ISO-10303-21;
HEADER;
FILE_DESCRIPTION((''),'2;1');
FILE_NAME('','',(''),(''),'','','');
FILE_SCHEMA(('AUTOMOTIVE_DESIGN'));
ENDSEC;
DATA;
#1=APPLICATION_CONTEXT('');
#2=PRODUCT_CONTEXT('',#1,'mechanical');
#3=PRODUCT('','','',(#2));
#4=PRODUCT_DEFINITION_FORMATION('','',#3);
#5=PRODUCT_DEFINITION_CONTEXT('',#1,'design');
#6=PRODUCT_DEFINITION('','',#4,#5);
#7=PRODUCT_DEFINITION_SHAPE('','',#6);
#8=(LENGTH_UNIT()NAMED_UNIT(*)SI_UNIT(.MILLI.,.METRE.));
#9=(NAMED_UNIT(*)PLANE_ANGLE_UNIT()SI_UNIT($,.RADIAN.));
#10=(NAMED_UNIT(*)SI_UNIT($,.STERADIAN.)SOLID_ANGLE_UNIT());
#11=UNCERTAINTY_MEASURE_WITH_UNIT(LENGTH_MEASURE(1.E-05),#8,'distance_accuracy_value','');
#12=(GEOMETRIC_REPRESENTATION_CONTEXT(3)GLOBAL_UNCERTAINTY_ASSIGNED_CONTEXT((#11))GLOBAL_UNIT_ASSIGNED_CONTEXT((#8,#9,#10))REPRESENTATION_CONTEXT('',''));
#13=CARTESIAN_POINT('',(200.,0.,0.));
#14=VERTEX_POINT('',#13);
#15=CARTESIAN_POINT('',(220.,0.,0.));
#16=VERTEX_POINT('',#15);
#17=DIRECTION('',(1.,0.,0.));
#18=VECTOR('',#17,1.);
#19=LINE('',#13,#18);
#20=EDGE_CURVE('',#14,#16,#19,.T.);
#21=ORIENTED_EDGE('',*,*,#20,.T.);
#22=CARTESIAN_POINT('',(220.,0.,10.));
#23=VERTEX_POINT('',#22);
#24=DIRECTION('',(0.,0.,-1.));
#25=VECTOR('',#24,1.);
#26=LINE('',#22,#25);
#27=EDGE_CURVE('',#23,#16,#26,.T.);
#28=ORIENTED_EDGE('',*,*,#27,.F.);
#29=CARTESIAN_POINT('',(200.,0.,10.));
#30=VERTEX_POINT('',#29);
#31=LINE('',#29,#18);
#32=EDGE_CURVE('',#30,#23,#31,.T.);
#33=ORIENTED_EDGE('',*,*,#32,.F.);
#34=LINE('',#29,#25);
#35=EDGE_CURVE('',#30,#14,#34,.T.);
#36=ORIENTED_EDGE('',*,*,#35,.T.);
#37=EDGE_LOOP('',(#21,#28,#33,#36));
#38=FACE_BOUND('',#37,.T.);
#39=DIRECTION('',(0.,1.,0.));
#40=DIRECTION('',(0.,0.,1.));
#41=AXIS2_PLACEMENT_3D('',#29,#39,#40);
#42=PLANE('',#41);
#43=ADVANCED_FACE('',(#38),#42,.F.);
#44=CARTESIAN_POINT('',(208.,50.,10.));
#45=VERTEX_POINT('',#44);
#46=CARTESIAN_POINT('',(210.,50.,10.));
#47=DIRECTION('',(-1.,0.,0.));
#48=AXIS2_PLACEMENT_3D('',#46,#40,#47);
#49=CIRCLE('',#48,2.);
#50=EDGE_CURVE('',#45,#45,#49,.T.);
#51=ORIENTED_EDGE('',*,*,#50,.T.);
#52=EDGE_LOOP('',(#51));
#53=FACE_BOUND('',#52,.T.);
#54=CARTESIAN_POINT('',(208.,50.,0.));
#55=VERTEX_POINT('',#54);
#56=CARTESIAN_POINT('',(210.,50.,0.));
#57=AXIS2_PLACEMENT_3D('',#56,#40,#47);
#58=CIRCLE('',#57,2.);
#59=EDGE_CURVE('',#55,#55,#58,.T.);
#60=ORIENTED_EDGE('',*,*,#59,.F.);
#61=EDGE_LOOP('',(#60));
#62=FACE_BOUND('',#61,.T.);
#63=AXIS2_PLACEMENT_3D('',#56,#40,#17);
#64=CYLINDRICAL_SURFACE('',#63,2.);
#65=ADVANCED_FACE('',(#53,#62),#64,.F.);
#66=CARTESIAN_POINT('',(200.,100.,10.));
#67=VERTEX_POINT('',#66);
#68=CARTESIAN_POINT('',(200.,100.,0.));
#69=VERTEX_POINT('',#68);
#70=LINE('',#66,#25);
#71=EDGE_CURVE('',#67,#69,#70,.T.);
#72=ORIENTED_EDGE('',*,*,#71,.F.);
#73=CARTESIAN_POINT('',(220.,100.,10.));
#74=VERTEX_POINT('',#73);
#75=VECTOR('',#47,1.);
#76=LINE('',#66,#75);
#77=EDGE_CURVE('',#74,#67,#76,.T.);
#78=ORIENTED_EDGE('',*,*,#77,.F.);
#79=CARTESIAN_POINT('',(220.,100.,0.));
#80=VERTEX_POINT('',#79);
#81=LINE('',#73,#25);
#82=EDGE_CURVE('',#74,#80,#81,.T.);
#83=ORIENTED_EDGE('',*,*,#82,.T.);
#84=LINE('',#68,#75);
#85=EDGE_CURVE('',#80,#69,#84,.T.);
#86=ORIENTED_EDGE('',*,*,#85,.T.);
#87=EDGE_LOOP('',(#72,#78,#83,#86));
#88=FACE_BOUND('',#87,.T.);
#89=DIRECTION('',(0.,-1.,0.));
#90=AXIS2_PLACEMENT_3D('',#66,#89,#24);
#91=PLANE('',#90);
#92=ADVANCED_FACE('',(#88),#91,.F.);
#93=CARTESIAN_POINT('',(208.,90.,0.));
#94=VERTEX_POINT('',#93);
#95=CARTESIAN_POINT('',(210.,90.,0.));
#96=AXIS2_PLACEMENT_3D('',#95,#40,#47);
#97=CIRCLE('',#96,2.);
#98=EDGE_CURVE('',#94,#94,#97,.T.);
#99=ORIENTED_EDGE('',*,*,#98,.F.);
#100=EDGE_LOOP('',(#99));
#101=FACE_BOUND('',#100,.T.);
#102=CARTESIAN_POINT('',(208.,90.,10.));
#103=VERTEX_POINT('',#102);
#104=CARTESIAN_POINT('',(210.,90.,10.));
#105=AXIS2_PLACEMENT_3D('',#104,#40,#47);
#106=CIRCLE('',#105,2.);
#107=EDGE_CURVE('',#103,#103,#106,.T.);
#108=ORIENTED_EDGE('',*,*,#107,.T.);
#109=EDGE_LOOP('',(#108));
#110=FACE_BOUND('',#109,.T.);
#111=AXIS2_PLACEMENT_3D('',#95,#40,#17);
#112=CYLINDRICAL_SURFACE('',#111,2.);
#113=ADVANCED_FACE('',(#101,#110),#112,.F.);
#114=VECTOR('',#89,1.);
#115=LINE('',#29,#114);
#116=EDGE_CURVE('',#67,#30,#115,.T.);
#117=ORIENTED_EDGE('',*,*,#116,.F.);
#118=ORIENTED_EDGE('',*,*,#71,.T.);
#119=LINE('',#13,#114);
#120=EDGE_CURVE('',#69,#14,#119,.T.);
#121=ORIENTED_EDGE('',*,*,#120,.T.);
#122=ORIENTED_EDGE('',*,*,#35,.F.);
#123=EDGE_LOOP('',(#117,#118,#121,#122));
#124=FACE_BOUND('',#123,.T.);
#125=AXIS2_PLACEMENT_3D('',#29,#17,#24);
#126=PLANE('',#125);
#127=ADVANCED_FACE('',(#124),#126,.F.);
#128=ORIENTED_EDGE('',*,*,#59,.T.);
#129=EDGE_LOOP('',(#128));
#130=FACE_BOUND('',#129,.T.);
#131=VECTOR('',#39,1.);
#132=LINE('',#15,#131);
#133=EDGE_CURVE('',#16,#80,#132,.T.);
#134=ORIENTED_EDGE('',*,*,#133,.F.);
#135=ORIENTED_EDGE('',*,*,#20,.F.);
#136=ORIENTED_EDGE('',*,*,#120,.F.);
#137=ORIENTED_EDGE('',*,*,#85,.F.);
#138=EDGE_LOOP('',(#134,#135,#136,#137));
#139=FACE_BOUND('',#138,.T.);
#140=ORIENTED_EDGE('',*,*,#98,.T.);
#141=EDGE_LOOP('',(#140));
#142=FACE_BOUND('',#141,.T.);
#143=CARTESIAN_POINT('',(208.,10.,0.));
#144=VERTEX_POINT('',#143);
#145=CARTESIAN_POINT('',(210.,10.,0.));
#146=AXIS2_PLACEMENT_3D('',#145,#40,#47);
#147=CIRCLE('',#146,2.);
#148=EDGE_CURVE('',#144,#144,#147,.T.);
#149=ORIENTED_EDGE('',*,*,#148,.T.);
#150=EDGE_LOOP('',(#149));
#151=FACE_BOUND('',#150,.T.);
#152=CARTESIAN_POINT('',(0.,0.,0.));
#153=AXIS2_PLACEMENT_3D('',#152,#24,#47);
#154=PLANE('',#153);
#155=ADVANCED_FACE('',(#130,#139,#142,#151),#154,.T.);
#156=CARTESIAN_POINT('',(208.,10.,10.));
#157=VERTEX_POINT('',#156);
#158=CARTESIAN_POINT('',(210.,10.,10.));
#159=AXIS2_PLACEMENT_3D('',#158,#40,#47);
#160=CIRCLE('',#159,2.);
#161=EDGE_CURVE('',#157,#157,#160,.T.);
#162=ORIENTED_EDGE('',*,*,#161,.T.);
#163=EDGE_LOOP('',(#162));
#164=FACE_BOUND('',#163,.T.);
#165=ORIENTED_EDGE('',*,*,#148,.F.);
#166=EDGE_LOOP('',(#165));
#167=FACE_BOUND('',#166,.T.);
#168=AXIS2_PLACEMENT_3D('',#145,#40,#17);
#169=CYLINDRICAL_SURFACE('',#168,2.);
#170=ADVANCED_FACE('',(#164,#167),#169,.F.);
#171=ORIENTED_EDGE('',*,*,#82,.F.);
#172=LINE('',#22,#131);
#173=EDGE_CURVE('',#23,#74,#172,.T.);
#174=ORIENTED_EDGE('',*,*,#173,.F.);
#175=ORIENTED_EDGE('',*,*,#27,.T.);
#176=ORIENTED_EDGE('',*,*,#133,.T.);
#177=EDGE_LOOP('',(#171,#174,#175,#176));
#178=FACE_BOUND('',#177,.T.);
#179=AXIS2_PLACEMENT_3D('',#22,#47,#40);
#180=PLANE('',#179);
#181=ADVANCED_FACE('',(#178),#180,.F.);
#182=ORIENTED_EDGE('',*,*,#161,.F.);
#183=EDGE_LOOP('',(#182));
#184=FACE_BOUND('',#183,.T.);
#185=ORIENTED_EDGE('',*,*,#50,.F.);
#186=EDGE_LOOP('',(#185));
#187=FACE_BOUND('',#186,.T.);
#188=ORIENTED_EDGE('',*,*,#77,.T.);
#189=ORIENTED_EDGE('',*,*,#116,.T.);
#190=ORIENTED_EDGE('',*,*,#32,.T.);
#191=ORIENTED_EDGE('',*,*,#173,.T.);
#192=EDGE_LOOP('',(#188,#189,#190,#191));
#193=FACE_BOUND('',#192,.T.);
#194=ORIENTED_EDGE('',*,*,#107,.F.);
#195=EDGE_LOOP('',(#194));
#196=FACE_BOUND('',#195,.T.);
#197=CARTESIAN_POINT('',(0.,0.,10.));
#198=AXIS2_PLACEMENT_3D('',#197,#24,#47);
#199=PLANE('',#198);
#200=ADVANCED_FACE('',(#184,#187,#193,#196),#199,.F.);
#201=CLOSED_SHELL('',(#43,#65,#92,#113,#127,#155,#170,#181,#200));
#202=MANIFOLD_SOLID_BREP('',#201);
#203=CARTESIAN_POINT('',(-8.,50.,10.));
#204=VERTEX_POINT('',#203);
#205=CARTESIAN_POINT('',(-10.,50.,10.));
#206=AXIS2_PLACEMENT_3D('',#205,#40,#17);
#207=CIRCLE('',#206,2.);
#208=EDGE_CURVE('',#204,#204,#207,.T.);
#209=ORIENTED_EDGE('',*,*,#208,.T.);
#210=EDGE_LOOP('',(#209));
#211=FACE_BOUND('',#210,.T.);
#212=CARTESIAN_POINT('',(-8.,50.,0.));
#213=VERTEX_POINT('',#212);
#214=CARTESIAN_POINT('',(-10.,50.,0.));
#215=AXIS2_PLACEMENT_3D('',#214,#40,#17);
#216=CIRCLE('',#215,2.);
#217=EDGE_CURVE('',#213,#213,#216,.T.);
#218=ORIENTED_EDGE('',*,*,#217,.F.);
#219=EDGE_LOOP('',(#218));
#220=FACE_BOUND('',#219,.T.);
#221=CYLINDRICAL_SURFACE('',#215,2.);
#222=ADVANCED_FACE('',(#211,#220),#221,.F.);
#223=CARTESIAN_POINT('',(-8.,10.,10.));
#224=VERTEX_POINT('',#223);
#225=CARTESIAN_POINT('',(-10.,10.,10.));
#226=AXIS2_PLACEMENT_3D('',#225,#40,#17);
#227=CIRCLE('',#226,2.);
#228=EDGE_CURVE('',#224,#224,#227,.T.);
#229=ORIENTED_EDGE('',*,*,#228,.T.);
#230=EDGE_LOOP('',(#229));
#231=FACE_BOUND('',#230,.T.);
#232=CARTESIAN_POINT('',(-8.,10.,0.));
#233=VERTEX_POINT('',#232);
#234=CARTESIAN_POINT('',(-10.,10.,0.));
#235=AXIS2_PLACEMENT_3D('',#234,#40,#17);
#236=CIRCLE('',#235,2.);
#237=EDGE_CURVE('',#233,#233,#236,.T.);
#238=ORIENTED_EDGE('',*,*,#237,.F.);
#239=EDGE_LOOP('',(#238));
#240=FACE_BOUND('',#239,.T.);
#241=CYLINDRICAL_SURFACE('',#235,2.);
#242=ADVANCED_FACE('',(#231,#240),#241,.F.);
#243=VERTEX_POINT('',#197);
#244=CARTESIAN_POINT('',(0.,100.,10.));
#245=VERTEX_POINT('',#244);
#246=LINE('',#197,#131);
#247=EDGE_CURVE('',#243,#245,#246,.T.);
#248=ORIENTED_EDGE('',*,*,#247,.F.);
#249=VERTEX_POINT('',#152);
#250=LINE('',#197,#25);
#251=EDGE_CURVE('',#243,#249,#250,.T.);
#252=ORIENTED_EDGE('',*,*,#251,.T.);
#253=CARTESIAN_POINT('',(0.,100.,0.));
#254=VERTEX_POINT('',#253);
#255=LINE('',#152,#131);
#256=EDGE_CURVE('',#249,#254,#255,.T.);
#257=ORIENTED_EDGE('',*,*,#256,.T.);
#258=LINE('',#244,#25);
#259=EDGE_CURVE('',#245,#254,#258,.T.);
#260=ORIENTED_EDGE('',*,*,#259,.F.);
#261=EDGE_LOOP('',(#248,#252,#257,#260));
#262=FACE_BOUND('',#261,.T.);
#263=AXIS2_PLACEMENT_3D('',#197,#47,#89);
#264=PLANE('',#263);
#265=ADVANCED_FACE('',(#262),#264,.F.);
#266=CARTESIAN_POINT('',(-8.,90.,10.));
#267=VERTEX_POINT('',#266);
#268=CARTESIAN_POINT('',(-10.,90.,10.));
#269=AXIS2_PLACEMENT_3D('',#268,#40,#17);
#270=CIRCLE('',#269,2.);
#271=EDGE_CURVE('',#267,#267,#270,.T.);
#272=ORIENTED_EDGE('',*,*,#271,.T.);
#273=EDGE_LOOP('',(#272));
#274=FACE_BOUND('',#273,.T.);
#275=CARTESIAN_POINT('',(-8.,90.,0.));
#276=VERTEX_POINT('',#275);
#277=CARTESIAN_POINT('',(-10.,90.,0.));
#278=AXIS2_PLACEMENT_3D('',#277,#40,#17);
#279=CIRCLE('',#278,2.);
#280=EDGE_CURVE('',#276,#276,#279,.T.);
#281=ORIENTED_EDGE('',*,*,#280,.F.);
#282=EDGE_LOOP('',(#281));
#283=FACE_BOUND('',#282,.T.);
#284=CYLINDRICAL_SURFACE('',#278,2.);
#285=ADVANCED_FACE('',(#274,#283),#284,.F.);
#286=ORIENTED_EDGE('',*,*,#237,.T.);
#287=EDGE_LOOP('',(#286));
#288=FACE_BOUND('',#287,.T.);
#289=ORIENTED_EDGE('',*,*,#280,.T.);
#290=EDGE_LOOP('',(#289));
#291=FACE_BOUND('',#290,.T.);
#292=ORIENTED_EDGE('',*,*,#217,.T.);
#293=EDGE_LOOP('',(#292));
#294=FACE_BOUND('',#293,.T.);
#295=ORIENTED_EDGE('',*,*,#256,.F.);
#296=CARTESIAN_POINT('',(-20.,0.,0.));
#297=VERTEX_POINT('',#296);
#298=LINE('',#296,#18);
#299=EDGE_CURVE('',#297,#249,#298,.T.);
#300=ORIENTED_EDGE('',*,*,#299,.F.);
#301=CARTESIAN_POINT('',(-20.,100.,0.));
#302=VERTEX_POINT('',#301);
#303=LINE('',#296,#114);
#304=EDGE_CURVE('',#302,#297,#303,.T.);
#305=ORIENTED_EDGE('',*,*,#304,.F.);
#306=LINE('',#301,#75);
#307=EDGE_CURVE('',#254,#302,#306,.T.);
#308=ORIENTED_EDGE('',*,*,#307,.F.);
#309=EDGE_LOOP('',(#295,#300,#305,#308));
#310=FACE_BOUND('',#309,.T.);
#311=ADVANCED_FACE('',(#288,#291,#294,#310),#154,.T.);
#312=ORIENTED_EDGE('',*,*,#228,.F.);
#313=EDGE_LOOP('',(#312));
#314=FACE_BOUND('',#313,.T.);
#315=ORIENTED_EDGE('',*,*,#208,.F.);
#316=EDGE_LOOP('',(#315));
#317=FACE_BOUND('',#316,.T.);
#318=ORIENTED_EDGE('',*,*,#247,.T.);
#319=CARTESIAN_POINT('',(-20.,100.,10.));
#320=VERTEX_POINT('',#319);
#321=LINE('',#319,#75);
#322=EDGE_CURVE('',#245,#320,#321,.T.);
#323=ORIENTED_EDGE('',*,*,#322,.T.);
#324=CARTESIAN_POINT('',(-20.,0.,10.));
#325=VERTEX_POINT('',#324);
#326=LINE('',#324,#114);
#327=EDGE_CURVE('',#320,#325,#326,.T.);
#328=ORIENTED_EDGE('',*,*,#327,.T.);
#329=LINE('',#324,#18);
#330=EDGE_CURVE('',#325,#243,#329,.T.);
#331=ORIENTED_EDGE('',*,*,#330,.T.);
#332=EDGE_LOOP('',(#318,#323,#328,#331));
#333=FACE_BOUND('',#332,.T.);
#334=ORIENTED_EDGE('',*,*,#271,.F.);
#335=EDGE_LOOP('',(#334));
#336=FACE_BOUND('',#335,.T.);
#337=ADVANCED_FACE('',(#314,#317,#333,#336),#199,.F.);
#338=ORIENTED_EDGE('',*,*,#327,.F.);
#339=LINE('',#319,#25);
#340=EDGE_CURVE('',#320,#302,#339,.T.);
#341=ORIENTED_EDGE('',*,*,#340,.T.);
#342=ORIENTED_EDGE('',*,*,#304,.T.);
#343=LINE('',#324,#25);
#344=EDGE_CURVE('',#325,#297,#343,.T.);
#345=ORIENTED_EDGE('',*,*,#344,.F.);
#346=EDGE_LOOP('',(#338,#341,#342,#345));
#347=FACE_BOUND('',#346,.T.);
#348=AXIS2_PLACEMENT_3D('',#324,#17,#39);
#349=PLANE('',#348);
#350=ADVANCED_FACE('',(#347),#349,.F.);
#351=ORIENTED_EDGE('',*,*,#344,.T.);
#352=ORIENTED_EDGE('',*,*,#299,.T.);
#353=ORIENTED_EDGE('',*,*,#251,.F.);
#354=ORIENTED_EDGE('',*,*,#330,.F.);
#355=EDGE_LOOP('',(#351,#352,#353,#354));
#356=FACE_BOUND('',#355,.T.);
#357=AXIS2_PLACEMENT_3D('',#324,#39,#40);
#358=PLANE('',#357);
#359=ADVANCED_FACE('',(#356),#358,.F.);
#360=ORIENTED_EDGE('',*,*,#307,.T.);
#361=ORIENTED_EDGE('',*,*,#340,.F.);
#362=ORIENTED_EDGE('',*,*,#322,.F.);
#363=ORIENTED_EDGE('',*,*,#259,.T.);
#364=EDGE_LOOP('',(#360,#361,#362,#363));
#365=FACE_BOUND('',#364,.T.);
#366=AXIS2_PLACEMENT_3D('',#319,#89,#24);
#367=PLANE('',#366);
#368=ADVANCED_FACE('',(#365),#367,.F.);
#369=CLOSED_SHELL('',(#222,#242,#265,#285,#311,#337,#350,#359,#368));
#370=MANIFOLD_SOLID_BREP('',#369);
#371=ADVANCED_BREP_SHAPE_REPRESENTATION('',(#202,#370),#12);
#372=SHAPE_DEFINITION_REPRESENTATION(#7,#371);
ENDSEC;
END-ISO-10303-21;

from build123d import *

# Parameters (mm, degrees)
SKETCH1_W              = 20
SKETCH1_H              = 100
SUPPORTEXTRUDE_DEPTH   = 10
SUPPORTEXTRUDE_2_DEPTH = 10
SKETCH2_R              = 2
CUT_EXTRUDE1_DEPTH     = 11


with BuildPart() as part:
    # Sketch1 → SupportExtrude (new body)
    with BuildSketch(Plane.XY):
        with Locations((210, 50)):
            Rectangle(SKETCH1_W, SKETCH1_H)
    extrude(amount=SUPPORTEXTRUDE_DEPTH)


with BuildPart() as body_2:
    # Sketch1 → SupportExtrude 2 (new body)
    with BuildSketch(Plane.XY):
        with Locations((-10, 50)):
            Rectangle(SKETCH1_W, SKETCH1_H)
    extrude(amount=SUPPORTEXTRUDE_2_DEPTH)


with BuildPart() as cut_extrude1_tool:
    # Sketch2 → Cut-Extrude1 (new body, through all)
    with BuildSketch(Plane.XY.offset(10)):
        with Locations((-10, 10)):
            Circle(SKETCH2_R)
        with Locations((-10, 50)):
            Circle(SKETCH2_R)
        with Locations((-10, 90)):
            Circle(SKETCH2_R)
        with Locations((210, 10)):
            Circle(SKETCH2_R)
        with Locations((210, 50)):
            Circle(SKETCH2_R)
        with Locations((210, 90)):
            Circle(SKETCH2_R)
    extrude(amount=-CUT_EXTRUDE1_DEPTH)


with BuildPart() as part_1:
    add(part.part)

    # Cut-Extrude1: cut by cut_extrude1_tool
    add(cut_extrude1_tool.part, mode=Mode.SUBTRACT)


with BuildPart() as body_2_1:
    add(body_2.part)

    # Cut-Extrude1: cut by cut_extrude1_tool
    add(cut_extrude1_tool.part, mode=Mode.SUBTRACT)


solid = Compound([part_1.part, body_2_1.part])
